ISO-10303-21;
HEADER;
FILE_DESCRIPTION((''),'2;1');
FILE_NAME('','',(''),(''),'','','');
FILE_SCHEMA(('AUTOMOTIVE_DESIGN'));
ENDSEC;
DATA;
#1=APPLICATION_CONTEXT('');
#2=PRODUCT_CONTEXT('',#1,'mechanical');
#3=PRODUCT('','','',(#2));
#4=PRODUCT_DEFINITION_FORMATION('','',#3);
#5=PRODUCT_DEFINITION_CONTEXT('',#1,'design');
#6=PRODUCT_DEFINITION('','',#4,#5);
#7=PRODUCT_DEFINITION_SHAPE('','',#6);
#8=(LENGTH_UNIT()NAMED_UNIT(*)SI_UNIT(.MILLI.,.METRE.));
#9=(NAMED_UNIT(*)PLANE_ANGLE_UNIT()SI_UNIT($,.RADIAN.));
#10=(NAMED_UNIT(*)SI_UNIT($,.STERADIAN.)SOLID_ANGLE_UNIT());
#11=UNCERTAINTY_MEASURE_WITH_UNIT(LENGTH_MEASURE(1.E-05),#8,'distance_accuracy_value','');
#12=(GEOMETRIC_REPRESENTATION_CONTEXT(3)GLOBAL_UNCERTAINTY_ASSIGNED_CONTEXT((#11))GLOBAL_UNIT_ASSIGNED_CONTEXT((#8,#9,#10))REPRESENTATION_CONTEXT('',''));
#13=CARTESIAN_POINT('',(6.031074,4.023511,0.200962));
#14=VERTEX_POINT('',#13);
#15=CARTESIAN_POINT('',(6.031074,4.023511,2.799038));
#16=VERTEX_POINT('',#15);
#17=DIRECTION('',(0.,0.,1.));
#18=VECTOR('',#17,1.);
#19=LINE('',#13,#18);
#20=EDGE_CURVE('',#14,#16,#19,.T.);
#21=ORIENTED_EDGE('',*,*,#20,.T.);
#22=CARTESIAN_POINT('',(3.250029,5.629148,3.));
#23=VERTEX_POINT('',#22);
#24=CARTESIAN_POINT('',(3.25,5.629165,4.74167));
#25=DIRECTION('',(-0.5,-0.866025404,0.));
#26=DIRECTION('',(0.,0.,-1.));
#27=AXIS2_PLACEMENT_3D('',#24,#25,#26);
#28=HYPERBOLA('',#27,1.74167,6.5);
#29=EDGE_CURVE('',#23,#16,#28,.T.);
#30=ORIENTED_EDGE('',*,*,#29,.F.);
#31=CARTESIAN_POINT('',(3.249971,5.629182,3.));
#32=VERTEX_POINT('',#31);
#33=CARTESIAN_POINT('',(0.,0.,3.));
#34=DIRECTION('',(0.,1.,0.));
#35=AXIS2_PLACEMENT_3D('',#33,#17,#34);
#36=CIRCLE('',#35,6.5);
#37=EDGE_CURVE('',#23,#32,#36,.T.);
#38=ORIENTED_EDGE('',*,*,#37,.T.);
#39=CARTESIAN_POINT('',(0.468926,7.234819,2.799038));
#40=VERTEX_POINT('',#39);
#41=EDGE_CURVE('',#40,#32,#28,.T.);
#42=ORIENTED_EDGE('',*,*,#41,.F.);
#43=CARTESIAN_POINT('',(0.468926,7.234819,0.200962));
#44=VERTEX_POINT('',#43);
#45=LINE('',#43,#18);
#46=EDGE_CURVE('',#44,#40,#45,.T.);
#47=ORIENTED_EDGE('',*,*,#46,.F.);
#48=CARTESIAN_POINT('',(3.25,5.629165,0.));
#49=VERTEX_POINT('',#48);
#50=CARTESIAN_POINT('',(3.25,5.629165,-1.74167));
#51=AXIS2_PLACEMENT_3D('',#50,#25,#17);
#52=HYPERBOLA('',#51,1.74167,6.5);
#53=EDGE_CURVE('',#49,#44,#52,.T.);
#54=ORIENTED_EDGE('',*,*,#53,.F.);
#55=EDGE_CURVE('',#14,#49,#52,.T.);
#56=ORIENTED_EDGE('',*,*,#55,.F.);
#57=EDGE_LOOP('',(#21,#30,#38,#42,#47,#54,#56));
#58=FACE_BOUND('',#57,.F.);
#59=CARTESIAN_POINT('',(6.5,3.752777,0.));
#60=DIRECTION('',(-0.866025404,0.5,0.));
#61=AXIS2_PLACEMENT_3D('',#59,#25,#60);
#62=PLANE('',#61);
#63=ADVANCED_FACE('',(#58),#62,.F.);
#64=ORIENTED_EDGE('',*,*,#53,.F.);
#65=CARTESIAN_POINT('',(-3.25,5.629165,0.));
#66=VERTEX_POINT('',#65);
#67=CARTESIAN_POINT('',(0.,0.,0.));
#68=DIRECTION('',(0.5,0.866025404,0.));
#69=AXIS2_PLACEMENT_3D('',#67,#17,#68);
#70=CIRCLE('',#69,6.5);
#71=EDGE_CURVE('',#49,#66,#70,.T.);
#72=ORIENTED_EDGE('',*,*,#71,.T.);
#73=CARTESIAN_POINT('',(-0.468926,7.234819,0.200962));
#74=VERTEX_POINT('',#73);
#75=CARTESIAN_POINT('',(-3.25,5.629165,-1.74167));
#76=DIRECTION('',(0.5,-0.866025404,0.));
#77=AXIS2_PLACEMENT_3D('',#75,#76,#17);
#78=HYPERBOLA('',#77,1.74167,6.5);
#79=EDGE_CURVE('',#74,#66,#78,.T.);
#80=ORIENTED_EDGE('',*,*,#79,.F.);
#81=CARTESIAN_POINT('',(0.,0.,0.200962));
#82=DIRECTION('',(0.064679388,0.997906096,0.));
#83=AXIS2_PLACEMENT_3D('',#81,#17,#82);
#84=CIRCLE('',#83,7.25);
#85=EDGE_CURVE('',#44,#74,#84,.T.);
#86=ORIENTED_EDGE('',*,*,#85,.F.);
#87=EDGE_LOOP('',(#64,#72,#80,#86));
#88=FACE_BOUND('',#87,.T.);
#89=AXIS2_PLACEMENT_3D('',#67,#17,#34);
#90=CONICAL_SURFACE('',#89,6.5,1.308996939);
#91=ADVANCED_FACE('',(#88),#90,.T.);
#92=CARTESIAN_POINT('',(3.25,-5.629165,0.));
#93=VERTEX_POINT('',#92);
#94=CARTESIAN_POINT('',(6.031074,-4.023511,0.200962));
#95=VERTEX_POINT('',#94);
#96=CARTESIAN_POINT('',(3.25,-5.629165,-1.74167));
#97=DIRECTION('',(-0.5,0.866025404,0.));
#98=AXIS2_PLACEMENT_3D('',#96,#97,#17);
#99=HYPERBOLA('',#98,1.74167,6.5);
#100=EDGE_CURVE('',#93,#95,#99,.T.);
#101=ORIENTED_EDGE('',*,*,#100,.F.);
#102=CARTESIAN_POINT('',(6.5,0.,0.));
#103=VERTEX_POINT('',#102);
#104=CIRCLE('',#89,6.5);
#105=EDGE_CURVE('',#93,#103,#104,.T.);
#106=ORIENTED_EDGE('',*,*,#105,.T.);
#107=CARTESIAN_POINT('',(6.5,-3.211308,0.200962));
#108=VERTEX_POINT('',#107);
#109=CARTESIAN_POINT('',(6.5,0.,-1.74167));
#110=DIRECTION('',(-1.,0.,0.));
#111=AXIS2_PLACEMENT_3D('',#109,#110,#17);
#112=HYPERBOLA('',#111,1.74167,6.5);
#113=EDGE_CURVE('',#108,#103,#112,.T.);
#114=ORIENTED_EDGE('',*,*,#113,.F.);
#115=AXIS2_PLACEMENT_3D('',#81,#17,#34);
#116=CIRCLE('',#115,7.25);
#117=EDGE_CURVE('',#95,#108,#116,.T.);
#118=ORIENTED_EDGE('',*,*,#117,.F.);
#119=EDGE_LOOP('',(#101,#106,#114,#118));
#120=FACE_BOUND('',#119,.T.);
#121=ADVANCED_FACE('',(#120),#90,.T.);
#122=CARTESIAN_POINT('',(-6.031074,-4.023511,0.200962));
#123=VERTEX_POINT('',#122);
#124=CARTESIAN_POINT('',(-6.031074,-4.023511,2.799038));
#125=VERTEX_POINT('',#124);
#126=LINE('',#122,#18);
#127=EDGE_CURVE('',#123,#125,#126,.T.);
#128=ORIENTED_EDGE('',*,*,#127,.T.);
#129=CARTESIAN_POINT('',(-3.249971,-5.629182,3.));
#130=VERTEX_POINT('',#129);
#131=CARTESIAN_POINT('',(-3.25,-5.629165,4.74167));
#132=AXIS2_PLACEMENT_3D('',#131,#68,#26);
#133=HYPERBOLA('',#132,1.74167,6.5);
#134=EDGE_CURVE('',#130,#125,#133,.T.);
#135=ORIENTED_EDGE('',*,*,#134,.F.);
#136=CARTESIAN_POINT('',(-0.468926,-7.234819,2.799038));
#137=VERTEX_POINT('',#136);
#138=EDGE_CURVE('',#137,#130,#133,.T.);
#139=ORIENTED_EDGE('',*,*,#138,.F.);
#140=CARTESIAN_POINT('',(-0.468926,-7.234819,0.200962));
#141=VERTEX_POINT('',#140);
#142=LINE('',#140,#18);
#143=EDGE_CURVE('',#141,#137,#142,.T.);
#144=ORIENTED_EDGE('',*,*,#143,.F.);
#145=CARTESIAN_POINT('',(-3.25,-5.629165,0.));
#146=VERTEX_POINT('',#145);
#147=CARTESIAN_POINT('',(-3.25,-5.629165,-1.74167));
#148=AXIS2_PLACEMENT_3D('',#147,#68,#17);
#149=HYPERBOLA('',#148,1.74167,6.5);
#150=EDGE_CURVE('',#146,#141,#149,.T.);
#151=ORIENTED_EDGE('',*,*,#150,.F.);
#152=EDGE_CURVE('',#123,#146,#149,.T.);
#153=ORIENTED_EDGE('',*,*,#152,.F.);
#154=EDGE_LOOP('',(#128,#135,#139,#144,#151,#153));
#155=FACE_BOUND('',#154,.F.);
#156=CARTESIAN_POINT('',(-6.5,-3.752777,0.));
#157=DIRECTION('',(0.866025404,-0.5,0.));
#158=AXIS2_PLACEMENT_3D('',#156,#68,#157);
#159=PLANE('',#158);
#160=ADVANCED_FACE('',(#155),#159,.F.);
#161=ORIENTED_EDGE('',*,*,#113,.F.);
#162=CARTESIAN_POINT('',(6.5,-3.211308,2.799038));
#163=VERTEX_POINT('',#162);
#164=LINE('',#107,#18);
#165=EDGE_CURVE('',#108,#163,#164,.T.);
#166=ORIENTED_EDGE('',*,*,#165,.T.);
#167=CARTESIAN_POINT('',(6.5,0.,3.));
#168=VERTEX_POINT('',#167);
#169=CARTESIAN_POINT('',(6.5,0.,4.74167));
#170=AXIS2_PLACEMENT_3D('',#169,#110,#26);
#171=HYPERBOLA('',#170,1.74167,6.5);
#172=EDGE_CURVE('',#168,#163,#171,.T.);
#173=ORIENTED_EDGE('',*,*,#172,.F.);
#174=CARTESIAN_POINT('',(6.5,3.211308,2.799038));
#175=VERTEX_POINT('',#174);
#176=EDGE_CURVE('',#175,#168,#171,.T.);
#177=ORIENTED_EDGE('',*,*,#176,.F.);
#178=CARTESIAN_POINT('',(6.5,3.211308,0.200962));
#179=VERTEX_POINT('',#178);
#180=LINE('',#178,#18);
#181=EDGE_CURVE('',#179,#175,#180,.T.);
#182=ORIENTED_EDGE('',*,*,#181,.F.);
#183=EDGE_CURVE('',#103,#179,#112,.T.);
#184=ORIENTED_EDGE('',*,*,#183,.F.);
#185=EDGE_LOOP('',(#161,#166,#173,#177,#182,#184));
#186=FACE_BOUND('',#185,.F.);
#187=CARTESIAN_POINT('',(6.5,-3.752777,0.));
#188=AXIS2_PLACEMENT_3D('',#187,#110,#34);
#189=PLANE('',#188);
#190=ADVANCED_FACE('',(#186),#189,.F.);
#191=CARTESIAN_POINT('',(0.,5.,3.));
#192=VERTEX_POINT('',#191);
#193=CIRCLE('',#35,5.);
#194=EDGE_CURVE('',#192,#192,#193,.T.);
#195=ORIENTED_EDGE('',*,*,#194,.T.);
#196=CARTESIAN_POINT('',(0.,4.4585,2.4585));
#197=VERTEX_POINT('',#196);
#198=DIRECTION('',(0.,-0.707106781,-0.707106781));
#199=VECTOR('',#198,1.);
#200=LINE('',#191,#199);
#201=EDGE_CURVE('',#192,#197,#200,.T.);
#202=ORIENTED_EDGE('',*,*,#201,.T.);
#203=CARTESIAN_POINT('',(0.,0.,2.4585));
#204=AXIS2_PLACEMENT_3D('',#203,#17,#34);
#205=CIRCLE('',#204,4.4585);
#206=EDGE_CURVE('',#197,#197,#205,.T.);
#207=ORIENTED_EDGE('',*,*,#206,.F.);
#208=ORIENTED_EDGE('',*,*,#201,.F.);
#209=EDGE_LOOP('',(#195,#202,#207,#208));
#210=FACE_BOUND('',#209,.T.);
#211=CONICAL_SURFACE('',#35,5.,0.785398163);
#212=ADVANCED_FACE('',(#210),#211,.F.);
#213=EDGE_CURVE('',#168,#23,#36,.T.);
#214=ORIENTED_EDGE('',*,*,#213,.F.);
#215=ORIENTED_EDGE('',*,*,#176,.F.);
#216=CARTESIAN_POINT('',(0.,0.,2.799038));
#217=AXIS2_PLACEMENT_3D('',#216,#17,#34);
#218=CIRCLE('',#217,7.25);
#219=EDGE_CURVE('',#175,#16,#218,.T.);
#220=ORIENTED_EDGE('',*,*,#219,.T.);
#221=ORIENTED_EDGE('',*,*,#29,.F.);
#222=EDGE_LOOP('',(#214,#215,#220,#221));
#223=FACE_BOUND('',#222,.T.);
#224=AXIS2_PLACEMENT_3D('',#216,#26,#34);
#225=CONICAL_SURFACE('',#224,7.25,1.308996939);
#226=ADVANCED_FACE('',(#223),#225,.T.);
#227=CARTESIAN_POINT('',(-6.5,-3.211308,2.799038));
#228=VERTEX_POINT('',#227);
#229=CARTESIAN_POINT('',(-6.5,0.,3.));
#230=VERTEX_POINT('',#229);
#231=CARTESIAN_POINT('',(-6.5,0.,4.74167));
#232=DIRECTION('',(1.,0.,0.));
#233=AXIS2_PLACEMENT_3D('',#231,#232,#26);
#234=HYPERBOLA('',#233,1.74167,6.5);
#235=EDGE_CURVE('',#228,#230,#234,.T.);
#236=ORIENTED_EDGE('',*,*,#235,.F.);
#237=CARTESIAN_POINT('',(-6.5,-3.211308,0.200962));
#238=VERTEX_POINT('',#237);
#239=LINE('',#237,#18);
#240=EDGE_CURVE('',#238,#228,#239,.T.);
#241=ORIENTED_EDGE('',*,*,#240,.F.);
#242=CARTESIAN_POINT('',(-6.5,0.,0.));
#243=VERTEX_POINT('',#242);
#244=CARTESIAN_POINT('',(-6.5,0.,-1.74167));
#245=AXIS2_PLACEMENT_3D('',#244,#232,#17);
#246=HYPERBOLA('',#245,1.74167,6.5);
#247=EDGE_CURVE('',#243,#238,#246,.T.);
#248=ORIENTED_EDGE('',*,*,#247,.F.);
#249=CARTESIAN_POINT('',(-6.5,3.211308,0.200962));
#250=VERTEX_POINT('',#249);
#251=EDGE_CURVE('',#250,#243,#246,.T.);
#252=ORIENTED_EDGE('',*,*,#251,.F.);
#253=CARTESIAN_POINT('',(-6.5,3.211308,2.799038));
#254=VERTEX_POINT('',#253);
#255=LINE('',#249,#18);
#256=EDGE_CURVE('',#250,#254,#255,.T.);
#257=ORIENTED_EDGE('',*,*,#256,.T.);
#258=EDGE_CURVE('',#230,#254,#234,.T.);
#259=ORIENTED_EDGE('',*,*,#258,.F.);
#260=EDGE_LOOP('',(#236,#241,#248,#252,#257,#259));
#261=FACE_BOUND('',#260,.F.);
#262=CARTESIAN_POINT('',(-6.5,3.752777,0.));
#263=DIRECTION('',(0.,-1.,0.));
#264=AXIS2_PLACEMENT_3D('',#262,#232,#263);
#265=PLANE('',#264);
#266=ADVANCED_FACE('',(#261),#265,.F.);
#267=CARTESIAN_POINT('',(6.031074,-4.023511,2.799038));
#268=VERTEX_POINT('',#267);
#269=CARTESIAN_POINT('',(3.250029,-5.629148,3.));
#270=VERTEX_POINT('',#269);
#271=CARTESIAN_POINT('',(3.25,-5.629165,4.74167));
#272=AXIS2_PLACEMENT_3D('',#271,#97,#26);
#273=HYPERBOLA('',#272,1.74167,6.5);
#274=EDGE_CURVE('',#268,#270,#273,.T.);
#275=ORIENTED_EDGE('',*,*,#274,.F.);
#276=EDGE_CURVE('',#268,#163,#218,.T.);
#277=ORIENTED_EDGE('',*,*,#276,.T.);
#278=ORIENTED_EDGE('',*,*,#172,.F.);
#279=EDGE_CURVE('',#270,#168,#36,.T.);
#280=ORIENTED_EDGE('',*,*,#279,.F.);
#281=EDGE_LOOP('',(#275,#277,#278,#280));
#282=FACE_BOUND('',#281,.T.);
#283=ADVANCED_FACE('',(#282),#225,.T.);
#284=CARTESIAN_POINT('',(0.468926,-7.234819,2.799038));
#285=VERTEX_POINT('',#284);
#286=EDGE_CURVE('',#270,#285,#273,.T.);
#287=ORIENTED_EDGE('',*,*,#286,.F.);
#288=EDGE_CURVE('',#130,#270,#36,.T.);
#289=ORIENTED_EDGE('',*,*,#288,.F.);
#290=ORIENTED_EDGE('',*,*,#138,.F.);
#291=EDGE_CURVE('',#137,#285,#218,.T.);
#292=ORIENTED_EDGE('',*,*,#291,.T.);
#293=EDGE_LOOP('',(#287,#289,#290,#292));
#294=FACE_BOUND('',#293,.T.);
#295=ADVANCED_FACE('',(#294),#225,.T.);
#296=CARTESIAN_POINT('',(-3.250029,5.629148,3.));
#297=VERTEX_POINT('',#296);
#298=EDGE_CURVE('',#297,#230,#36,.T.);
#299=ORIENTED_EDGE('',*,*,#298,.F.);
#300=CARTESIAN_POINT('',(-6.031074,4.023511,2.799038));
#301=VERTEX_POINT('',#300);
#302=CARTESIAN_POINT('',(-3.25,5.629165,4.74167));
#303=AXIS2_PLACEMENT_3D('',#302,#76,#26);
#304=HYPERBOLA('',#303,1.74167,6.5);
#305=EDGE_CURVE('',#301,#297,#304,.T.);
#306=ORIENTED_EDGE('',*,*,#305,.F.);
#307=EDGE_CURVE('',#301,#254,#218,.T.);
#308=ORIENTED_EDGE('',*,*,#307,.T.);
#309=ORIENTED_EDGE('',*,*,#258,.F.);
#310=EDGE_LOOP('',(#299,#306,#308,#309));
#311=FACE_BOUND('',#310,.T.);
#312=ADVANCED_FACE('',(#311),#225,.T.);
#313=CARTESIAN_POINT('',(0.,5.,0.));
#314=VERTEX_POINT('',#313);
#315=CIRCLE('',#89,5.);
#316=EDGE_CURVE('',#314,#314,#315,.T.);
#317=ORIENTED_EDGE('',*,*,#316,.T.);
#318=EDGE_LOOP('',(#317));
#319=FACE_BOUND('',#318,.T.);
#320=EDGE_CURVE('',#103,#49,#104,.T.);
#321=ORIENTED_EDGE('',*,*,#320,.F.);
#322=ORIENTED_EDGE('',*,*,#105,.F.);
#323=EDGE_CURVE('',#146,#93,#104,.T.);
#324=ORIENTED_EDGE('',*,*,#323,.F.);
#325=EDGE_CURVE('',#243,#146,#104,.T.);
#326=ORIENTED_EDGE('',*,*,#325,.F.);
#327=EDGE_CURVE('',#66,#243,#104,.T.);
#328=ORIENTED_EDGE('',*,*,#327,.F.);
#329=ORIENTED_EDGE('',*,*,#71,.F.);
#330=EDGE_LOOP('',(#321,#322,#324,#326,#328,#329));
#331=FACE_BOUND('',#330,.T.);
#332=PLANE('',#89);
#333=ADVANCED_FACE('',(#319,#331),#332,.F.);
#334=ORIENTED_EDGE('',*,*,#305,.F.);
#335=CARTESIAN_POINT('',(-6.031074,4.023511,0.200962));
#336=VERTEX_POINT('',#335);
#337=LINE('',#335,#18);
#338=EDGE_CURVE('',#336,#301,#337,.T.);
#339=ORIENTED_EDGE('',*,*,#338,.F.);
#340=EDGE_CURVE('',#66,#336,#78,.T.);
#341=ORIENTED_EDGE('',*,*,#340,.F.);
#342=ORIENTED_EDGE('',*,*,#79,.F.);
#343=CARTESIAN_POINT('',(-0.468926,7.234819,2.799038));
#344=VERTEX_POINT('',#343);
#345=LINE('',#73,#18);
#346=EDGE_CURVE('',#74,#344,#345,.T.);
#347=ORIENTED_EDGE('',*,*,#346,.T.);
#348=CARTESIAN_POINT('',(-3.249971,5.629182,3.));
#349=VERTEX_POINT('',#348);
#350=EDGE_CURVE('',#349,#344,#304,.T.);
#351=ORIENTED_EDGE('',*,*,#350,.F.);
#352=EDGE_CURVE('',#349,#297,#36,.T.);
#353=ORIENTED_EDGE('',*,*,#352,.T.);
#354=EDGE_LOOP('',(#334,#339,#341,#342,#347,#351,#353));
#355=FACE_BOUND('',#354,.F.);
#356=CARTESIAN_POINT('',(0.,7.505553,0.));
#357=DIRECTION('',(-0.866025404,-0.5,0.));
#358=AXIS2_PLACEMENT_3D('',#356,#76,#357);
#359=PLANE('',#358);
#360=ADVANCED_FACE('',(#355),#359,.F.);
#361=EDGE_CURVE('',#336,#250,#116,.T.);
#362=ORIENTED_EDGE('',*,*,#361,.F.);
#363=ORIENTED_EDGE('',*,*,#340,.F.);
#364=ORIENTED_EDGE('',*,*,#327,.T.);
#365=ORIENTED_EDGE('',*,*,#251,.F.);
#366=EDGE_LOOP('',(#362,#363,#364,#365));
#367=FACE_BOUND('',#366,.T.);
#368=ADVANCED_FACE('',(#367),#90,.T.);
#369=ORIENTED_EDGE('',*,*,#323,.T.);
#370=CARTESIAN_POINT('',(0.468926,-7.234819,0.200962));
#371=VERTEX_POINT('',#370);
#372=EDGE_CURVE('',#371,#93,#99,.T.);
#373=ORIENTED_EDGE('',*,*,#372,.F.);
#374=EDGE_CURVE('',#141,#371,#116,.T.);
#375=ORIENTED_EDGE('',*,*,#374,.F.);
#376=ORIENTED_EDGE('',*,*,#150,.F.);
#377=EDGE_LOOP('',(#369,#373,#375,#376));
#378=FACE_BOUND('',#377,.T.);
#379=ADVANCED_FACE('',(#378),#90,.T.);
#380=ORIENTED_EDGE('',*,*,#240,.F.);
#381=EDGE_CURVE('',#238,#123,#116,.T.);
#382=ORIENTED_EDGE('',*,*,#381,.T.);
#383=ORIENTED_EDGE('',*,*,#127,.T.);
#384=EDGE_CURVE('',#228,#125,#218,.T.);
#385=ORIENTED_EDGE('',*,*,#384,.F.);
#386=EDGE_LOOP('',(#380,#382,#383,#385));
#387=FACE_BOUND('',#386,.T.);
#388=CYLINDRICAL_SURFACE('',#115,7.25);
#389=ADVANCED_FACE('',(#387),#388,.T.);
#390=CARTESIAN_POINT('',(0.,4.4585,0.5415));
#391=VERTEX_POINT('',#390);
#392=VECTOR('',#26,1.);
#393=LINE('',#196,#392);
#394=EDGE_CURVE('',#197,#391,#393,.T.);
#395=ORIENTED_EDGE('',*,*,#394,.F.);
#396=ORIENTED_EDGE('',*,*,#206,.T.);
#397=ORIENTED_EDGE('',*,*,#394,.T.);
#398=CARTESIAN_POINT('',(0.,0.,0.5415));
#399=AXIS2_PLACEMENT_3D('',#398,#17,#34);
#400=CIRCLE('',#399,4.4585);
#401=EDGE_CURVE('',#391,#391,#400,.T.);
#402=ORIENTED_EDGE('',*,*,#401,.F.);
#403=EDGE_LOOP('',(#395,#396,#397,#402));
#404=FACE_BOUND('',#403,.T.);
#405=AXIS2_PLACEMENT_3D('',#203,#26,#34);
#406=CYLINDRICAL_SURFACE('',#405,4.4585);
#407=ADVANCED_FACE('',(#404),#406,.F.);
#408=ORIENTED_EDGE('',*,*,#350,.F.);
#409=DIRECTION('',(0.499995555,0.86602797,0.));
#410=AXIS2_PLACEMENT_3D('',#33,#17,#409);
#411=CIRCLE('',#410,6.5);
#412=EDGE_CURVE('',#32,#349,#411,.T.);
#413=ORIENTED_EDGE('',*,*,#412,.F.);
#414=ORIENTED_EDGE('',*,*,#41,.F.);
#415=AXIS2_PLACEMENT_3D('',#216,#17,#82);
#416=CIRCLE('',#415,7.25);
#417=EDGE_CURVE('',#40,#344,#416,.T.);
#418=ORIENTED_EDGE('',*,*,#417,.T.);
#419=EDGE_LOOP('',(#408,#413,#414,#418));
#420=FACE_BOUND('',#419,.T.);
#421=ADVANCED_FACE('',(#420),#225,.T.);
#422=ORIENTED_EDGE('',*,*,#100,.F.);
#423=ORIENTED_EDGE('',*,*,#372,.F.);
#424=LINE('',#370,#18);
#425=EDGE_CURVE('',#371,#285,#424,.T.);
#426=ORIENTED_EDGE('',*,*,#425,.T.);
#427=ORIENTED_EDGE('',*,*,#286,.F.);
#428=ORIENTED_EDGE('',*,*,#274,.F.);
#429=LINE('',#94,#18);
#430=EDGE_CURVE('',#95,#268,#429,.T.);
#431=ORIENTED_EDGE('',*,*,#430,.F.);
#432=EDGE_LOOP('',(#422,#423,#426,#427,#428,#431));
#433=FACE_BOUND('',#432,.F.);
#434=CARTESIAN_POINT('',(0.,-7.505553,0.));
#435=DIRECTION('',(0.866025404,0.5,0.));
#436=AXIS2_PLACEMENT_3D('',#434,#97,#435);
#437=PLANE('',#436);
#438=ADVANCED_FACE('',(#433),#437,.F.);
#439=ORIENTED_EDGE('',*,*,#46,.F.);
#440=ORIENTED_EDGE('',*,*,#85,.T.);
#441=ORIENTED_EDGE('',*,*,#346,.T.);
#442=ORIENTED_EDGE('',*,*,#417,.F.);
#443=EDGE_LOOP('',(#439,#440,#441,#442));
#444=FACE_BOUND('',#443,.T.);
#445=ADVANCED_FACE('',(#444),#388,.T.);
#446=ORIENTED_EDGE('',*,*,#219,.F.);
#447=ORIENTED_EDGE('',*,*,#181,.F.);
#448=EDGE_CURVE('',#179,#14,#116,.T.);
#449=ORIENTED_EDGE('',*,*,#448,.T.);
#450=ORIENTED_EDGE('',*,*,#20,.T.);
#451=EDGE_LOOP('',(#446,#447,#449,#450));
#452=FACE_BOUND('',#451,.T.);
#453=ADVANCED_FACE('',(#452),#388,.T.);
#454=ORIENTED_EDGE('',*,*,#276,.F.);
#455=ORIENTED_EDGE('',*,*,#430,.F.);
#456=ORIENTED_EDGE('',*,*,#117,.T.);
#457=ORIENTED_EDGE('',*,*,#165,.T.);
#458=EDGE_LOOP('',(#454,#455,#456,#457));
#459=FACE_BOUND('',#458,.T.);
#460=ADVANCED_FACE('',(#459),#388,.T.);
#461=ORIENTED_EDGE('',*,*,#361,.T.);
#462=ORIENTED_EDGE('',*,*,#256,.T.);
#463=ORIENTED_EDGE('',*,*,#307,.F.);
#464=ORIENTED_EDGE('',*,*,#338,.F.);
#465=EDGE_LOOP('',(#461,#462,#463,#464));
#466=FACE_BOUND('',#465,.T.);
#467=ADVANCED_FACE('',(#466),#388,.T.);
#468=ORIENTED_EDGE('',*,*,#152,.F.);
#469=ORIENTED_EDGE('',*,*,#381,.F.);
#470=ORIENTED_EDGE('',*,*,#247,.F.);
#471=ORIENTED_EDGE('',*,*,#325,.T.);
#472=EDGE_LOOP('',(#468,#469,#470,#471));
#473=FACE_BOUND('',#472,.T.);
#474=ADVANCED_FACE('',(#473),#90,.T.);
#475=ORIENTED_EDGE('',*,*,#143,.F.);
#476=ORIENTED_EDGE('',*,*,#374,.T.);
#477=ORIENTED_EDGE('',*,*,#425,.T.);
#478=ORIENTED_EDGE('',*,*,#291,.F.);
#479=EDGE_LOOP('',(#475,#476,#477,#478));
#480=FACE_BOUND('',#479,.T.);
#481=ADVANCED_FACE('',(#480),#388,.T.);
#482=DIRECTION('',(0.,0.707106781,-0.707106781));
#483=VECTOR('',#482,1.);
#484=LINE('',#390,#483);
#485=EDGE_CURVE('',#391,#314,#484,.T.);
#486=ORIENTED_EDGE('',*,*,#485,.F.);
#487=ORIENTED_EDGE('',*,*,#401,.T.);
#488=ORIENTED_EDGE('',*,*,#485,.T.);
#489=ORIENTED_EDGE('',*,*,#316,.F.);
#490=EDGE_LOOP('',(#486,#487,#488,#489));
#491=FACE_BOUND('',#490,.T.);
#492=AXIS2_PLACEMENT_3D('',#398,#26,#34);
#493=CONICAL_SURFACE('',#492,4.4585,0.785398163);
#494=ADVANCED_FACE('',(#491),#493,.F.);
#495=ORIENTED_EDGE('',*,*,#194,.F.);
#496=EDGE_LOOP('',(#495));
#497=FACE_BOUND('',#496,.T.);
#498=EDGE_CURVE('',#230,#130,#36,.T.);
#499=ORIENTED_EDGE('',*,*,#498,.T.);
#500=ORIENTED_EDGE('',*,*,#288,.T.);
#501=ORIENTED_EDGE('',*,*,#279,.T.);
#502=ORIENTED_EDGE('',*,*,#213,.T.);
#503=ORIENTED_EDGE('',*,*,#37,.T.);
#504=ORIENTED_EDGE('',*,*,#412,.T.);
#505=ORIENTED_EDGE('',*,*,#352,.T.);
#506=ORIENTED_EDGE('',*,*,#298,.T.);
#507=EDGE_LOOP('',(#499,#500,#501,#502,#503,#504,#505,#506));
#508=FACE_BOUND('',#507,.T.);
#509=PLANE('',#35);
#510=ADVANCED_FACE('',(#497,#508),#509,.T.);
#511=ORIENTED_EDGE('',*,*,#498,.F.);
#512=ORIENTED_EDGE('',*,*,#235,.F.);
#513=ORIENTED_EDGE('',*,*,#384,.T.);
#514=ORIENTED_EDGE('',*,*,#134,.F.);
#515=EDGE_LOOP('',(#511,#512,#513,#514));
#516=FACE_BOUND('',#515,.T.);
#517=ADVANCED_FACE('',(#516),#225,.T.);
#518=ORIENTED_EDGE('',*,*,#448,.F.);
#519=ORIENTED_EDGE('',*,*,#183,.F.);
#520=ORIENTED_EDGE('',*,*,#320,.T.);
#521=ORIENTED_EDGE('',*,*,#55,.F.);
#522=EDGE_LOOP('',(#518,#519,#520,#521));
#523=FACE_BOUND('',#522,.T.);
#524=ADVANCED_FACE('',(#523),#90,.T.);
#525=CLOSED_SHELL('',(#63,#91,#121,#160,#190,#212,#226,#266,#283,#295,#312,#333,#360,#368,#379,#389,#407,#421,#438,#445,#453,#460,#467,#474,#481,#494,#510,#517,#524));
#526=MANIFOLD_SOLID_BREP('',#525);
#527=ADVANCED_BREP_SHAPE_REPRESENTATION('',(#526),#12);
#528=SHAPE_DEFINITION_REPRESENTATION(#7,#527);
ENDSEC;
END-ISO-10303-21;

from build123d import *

# Parameters (mm, degrees)
SCHNITT_LINEAR_AUSTRAGEN1_DEPTH      = 10
SCHNITT_LINEAR_AUSTRAGEN1_DEPTH_BACK = 10
SKIZZE2_W                            = 69.6667
SKIZZE2_H                            = 68.6667


with BuildPart() as part:
    # Skizze1 → Rotation1 (revolve)
    with BuildSketch(Plane(origin=(0, 0, 0), x_dir=(0, 0, -1), z_dir=(1, 0, 0))):
        Polygon((-3, 6.5), (-3, 5), (-2.4585, 4.4585), (-0.5415, 4.4585), (0, 5), (0, 6.5), (-0.200961894, 7.25), (-2.799038106, 7.25), align=None)
    revolve(axis=Axis((0, 0, 0), (0, 0, 1)))

    # Skizze2 → Schnitt-Linear austragen1 (cut, two sides: drawn at the far end of the back side and taken through both)
    with BuildSketch(Plane.XY.offset(-SCHNITT_LINEAR_AUSTRAGEN1_DEPTH_BACK)):
        with Locations((-1.75005, -1.16665)):
            Rectangle(SKIZZE2_W, SKIZZE2_H)
        Polygon((-6.5, -3.75277675), (0, -7.505553499), (6.5, -3.75277675), (6.5, 3.75277675), (0, 7.505553499), (-6.5, 3.75277675), align=None, mode=Mode.SUBTRACT)
    extrude(amount=SCHNITT_LINEAR_AUSTRAGEN1_DEPTH + SCHNITT_LINEAR_AUSTRAGEN1_DEPTH_BACK, mode=Mode.SUBTRACT)


solid = part.part
